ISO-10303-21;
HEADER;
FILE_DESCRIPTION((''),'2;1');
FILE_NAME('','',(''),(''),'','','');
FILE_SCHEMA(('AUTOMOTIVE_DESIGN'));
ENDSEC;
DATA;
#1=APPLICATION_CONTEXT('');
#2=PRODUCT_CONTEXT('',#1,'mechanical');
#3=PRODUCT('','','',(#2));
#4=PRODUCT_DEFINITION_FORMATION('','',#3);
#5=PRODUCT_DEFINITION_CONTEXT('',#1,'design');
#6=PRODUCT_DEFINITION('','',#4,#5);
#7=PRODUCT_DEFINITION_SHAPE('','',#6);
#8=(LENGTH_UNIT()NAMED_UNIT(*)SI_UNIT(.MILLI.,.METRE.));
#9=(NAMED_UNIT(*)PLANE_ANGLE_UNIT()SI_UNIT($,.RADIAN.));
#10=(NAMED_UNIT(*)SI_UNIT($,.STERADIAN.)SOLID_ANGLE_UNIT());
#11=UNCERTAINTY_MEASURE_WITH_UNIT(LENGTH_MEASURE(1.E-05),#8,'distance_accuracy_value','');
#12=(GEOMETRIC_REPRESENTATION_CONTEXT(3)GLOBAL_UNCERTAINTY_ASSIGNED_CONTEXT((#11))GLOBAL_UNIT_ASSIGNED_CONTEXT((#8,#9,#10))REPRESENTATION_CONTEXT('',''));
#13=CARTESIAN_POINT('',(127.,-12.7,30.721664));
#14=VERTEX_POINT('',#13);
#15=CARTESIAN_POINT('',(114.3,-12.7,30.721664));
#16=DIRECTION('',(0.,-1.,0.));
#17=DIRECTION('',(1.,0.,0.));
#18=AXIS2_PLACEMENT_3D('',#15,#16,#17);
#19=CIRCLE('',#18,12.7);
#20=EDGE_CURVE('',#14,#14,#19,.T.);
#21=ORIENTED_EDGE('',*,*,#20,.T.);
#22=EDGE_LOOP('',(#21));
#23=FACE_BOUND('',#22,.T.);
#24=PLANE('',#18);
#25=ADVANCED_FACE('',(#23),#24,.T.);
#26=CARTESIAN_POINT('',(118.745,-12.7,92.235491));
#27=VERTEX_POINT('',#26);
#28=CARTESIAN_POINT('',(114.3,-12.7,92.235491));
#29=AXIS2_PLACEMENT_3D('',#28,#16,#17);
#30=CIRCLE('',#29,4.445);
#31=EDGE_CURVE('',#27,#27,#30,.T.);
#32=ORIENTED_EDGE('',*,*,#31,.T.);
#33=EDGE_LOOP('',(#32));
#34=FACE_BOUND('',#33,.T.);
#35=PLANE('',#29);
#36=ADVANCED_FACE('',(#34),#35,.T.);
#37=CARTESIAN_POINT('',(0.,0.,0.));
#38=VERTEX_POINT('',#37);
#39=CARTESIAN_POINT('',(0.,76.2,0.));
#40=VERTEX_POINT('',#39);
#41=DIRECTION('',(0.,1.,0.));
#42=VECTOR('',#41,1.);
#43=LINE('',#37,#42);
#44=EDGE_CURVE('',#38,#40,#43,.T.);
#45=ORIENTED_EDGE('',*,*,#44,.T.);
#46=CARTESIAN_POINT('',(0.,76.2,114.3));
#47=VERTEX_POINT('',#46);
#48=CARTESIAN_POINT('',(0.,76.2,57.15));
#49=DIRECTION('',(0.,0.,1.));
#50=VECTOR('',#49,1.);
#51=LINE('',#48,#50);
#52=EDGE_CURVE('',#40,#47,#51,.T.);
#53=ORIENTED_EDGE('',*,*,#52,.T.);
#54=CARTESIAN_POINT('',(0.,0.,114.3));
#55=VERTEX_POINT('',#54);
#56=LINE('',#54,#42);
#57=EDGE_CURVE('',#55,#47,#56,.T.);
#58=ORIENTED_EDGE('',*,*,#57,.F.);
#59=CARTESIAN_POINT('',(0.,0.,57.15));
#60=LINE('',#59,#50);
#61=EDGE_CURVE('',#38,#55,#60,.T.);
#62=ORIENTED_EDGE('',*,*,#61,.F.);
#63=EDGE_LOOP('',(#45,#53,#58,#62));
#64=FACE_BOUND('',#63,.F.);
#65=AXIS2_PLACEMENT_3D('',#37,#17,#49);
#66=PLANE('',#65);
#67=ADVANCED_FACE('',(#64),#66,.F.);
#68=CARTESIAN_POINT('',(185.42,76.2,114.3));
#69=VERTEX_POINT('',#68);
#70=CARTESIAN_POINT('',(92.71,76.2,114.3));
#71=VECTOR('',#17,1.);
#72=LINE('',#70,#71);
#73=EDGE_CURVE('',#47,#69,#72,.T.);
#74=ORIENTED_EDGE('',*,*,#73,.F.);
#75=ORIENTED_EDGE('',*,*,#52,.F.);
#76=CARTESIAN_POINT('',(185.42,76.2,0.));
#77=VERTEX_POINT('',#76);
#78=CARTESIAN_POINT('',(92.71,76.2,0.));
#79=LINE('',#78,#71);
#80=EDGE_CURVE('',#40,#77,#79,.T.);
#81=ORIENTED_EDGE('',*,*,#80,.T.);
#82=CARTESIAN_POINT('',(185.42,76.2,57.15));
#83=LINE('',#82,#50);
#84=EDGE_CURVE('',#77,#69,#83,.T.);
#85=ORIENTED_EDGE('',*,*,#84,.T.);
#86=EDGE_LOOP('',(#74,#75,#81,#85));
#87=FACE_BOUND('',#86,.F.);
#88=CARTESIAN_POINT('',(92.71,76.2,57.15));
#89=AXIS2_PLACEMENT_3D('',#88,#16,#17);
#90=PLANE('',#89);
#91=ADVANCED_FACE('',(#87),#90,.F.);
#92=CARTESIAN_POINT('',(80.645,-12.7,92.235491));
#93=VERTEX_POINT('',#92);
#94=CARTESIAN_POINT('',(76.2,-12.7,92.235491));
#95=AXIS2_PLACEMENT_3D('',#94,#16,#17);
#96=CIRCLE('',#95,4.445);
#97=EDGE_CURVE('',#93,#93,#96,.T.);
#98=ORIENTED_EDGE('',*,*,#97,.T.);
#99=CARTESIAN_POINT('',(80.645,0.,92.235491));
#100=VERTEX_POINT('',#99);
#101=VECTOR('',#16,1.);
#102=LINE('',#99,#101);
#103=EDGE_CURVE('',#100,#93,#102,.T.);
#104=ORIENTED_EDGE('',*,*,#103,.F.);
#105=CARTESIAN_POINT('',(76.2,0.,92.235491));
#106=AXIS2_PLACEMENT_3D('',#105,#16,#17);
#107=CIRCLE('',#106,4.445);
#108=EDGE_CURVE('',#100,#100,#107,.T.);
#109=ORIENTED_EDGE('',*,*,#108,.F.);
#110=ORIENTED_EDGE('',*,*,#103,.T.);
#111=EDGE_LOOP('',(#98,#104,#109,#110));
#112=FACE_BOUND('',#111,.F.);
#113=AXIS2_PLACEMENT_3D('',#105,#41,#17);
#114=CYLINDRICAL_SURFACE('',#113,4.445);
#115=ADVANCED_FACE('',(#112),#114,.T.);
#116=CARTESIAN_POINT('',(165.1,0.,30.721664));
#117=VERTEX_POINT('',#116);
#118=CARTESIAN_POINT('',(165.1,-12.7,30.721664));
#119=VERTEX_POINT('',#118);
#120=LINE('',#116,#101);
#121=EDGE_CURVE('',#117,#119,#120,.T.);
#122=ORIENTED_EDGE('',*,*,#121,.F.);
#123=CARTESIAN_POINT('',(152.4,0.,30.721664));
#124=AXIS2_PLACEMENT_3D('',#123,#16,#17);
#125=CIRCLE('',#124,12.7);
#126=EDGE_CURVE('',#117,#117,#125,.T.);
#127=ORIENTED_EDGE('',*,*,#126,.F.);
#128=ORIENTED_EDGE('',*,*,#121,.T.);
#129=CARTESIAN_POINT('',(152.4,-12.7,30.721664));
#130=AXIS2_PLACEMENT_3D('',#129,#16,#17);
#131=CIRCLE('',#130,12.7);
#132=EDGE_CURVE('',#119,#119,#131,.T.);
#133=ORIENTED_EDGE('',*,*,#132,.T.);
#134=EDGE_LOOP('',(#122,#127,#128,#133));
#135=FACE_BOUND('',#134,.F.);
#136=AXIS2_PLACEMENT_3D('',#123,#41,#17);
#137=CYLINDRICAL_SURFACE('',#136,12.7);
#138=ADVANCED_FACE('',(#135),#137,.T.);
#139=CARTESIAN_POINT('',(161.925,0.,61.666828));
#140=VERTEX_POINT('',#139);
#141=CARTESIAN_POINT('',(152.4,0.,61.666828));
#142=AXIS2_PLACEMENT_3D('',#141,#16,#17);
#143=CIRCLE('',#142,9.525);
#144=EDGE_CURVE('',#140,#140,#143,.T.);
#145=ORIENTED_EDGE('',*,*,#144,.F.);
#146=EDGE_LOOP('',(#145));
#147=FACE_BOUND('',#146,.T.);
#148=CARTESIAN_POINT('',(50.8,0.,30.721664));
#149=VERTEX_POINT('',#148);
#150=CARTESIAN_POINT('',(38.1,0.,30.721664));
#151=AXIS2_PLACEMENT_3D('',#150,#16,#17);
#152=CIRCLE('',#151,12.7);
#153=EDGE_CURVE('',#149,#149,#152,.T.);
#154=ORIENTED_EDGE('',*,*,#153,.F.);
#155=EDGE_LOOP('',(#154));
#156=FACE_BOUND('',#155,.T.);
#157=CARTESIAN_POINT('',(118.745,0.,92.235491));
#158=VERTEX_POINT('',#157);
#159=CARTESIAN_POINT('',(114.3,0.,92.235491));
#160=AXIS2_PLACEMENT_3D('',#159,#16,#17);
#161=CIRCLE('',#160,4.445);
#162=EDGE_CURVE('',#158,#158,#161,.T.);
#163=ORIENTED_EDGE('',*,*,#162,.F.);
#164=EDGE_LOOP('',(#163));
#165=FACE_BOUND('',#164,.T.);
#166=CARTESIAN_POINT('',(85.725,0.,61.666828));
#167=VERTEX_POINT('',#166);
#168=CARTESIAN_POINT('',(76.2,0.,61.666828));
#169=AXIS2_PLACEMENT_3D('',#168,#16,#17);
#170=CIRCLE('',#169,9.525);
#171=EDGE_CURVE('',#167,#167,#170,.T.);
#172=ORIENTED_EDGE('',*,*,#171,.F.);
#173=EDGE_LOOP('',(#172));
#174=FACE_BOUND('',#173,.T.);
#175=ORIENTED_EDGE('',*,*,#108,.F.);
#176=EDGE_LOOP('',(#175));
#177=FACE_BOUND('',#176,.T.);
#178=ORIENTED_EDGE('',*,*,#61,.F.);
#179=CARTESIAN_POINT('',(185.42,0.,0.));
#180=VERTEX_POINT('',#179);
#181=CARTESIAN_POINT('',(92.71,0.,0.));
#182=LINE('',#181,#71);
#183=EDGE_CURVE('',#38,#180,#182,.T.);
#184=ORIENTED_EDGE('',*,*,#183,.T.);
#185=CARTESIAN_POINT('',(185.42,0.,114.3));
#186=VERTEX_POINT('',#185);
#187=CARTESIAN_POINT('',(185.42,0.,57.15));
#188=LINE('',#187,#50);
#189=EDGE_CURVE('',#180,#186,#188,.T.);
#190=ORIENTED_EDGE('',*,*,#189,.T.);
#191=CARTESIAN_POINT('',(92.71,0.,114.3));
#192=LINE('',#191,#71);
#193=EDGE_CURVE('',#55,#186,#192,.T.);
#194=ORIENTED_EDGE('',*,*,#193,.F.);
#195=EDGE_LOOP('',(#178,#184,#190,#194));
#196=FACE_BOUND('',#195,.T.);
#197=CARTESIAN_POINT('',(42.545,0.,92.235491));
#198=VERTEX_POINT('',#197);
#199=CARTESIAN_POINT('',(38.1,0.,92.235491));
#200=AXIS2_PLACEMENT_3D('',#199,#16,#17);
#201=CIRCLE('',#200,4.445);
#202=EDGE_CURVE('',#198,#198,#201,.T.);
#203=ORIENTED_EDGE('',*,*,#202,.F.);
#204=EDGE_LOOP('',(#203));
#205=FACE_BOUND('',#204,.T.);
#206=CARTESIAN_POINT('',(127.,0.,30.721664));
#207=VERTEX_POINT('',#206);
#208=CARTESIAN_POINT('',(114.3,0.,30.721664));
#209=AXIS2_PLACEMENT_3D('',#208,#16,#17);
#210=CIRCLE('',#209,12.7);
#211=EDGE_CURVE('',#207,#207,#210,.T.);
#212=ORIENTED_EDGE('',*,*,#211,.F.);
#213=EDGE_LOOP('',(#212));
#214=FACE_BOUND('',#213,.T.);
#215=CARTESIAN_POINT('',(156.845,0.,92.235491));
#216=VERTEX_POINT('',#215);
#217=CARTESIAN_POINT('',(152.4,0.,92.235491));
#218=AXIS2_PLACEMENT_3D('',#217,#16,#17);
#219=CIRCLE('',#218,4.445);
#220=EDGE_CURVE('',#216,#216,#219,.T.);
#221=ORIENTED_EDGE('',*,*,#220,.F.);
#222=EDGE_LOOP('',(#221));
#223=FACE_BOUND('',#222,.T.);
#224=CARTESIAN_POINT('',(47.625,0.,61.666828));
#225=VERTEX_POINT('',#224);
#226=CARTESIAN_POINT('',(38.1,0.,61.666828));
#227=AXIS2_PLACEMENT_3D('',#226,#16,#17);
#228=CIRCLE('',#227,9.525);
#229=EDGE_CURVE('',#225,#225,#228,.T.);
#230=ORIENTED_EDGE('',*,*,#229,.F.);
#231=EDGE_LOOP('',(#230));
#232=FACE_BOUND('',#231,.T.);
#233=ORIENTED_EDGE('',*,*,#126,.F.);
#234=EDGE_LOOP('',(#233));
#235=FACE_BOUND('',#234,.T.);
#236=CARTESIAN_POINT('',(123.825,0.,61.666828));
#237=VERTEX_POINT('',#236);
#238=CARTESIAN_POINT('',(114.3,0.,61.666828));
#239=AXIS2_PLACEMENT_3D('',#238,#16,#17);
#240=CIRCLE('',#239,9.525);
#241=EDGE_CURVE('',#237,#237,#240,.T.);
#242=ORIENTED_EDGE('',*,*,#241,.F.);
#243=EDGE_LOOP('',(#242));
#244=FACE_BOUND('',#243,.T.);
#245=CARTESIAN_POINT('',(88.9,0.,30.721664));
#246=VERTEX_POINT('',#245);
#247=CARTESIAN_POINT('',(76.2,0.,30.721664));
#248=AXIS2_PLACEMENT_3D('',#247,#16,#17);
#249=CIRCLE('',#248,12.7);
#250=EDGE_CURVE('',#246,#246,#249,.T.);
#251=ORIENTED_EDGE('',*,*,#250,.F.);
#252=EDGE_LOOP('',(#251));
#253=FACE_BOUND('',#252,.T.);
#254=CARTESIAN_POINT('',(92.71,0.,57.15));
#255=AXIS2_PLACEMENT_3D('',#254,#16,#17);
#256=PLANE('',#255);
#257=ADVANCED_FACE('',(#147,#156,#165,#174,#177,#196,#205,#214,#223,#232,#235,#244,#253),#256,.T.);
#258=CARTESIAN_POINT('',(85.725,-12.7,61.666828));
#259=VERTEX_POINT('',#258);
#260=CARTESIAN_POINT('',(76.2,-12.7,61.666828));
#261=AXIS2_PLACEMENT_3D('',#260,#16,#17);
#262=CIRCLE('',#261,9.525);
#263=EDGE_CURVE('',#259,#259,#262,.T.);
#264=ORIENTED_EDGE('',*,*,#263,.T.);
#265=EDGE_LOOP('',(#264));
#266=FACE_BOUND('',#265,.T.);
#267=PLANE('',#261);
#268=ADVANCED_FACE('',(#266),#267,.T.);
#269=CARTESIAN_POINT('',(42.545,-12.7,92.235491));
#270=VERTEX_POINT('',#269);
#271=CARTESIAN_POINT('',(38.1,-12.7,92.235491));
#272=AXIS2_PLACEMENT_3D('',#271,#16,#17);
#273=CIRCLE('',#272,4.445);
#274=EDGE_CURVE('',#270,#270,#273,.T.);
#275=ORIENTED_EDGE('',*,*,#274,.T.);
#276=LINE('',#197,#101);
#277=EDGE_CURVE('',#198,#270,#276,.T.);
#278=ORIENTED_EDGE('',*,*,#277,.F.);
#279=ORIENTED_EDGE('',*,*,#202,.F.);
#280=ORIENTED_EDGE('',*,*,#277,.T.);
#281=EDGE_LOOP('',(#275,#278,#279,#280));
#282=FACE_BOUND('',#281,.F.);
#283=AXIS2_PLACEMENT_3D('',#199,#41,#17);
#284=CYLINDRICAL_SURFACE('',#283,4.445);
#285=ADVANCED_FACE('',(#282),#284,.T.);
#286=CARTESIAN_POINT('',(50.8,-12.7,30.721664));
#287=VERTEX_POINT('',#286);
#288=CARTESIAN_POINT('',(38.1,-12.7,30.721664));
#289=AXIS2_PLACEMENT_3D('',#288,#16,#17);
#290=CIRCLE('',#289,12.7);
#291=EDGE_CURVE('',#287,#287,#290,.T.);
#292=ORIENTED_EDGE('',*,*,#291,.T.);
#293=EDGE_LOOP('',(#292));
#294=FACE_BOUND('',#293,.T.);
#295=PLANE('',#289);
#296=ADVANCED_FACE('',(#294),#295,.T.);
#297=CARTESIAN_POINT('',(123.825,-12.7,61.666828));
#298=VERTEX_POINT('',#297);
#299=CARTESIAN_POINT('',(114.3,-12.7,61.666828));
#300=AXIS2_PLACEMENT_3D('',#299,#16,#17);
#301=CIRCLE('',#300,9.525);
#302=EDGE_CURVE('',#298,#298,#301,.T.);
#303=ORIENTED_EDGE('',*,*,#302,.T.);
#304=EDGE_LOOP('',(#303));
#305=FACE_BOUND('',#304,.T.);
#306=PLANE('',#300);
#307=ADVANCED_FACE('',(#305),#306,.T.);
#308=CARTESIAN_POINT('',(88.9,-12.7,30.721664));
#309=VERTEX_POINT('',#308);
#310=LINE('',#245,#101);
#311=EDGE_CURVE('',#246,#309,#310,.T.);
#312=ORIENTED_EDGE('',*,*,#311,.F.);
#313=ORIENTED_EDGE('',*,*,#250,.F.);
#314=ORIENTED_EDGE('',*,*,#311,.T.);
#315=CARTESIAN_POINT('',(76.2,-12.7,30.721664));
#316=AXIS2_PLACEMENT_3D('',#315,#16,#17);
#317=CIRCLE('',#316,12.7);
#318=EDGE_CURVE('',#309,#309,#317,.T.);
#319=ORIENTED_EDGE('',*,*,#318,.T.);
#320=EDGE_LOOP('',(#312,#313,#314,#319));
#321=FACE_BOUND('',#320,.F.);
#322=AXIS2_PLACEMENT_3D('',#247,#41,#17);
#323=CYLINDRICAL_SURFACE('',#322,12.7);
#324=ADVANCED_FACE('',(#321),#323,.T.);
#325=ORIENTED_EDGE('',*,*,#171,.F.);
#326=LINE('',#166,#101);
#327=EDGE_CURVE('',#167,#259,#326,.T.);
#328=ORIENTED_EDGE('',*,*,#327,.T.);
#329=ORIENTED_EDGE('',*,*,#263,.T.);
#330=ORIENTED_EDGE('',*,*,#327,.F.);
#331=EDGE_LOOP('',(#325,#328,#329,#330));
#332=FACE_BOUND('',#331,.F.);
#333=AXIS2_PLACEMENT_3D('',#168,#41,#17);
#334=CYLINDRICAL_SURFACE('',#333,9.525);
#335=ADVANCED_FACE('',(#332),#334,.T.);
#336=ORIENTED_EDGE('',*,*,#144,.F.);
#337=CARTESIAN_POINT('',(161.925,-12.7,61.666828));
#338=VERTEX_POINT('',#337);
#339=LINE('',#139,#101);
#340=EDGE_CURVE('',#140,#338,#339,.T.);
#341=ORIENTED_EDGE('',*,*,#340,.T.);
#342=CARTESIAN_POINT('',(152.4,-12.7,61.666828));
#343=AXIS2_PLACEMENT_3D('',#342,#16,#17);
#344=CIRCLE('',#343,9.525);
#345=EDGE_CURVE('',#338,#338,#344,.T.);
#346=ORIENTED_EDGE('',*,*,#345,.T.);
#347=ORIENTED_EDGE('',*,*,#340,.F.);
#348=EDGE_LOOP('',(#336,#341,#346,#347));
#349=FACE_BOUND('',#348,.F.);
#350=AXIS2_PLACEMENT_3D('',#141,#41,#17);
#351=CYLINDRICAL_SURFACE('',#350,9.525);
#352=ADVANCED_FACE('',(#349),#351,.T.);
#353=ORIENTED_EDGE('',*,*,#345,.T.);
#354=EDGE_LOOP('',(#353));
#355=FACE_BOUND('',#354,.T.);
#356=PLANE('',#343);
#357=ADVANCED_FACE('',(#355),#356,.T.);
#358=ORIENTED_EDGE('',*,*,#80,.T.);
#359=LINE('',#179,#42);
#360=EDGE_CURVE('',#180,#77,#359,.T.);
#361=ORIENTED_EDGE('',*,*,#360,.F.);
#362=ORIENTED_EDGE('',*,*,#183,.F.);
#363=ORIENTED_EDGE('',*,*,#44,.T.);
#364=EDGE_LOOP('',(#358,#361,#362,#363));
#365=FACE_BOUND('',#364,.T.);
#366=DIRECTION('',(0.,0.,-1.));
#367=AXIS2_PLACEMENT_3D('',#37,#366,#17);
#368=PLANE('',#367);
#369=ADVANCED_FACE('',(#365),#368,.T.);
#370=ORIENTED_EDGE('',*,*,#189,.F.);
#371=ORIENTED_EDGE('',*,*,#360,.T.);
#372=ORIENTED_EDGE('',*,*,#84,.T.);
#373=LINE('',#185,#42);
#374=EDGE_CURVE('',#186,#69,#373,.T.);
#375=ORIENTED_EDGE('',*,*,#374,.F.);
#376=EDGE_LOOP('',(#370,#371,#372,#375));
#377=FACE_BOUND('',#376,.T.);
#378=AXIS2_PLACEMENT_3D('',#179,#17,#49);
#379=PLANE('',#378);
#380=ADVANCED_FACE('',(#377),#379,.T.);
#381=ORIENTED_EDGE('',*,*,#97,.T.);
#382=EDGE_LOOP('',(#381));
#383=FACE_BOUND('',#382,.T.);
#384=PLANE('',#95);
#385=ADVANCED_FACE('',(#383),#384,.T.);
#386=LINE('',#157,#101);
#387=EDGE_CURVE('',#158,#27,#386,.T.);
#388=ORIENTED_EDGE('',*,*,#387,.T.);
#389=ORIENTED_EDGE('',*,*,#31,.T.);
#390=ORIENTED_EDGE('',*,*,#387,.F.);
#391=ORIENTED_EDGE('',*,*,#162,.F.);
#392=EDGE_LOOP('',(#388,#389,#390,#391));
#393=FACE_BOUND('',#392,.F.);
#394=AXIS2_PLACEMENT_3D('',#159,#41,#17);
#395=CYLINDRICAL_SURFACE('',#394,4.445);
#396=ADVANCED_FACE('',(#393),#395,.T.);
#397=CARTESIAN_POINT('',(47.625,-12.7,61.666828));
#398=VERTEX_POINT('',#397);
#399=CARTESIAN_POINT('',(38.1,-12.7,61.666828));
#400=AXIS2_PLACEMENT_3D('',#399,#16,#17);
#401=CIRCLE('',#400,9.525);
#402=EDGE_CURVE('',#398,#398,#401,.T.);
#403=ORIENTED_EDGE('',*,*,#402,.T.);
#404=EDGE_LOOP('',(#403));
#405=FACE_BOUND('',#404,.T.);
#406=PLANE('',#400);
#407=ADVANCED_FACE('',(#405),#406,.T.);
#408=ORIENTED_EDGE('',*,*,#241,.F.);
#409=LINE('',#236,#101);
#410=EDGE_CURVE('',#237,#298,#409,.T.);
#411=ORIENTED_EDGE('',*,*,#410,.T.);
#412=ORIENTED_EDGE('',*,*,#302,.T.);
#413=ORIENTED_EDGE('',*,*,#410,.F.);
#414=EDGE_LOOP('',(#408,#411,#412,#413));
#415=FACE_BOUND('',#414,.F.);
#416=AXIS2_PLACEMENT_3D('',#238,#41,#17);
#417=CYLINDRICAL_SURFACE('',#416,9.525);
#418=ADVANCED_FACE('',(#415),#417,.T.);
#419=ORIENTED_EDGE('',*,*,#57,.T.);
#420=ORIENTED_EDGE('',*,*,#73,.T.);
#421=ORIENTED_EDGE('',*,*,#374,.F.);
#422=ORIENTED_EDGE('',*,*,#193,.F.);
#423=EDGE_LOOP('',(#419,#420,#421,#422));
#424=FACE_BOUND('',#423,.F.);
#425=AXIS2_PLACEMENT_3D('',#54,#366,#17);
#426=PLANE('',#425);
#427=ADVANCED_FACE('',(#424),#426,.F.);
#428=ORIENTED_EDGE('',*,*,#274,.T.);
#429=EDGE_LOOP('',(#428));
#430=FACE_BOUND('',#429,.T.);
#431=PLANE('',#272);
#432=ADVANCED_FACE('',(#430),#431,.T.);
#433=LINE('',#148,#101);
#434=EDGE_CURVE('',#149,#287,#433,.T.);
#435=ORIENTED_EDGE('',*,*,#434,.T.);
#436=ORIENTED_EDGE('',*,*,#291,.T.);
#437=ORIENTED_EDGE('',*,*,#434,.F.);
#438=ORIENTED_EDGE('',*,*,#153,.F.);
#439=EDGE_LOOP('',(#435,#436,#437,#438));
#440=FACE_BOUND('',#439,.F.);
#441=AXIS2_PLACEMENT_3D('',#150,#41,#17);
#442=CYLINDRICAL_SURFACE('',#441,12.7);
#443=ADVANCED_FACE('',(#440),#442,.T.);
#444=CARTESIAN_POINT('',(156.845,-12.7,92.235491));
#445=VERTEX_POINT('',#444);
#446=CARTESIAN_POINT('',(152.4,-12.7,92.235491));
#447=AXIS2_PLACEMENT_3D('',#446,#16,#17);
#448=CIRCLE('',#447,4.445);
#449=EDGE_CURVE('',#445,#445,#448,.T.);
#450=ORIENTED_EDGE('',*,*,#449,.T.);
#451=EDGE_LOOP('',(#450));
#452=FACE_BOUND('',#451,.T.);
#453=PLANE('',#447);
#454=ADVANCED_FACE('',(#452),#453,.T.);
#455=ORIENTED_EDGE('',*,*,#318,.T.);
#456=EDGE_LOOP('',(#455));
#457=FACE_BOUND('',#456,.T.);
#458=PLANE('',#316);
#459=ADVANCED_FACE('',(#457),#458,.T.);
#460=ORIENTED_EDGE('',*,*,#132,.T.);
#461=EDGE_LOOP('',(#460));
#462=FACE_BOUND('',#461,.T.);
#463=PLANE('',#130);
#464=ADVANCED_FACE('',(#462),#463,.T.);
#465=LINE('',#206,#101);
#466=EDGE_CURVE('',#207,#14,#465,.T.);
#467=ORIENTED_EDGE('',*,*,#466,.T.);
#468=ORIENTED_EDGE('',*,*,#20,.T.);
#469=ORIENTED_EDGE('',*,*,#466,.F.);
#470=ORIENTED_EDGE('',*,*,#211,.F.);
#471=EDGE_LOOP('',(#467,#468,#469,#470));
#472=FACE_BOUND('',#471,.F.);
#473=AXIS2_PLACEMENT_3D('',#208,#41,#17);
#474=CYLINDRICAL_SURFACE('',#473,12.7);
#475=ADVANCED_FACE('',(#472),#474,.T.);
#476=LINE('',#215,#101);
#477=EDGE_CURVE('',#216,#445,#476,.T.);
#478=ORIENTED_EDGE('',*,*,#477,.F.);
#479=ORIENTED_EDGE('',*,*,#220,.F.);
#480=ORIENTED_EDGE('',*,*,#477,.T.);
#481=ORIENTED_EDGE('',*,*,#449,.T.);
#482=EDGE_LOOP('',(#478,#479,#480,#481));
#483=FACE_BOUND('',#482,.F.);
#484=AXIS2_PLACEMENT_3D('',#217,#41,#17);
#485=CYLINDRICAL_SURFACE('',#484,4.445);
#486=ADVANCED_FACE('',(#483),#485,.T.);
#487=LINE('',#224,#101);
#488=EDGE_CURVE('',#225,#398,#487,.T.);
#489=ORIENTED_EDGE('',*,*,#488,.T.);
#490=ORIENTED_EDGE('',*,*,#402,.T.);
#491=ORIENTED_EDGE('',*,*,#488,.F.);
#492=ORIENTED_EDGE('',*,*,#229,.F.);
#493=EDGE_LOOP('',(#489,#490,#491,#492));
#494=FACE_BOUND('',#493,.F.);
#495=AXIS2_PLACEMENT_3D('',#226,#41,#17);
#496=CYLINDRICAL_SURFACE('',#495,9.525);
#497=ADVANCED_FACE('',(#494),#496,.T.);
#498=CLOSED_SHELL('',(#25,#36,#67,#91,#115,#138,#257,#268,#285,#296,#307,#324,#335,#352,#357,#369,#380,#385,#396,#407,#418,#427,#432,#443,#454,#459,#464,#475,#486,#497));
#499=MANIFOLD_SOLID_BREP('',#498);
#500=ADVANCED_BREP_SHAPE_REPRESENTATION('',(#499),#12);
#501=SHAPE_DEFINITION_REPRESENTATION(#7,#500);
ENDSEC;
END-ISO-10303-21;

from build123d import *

# Parameters (mm, degrees)
F0_W     = 185.42
F0_H     = 114.3
F3_DEPTH = 76.2
F1_R     = 4.445
F1_R_2   = 9.525
F1_R_3   = 12.7
F2_DEPTH = 12.7


with BuildPart() as f3:
    # F0 (on Front) → F3 (new body)
    with BuildSketch(Plane.XZ):
        with Locations((92.71, 57.15)):
            Rectangle(F0_W, F0_H)
    extrude(amount=-F3_DEPTH)

    # F1 (on face) → F2 (join)
    with BuildSketch(Plane.XZ):
        with Locations((38.1, 92.235491)):
            Circle(F1_R)
        with Locations((38.1, 61.666828)):
            Circle(F1_R_2)
        with Locations((38.1, 30.721664)):
            Circle(F1_R_3)
        with Locations((76.2, 92.235491)):
            Circle(F1_R)
        with Locations((76.2, 61.666828)):
            Circle(F1_R_2)
        with Locations((76.2, 30.721664)):
            Circle(F1_R_3)
        with Locations((114.3, 92.235491)):
            Circle(F1_R)
        with Locations((114.3, 61.666828)):
            Circle(F1_R_2)
        with Locations((114.3, 30.721664)):
            Circle(F1_R_3)
        with Locations((152.4, 92.235491)):
            Circle(F1_R)
        with Locations((152.4, 61.666828)):
            Circle(F1_R_2)
        with Locations((152.4, 30.721664)):
            Circle(F1_R_3)
    extrude(amount=F2_DEPTH)


solid = f3.part
